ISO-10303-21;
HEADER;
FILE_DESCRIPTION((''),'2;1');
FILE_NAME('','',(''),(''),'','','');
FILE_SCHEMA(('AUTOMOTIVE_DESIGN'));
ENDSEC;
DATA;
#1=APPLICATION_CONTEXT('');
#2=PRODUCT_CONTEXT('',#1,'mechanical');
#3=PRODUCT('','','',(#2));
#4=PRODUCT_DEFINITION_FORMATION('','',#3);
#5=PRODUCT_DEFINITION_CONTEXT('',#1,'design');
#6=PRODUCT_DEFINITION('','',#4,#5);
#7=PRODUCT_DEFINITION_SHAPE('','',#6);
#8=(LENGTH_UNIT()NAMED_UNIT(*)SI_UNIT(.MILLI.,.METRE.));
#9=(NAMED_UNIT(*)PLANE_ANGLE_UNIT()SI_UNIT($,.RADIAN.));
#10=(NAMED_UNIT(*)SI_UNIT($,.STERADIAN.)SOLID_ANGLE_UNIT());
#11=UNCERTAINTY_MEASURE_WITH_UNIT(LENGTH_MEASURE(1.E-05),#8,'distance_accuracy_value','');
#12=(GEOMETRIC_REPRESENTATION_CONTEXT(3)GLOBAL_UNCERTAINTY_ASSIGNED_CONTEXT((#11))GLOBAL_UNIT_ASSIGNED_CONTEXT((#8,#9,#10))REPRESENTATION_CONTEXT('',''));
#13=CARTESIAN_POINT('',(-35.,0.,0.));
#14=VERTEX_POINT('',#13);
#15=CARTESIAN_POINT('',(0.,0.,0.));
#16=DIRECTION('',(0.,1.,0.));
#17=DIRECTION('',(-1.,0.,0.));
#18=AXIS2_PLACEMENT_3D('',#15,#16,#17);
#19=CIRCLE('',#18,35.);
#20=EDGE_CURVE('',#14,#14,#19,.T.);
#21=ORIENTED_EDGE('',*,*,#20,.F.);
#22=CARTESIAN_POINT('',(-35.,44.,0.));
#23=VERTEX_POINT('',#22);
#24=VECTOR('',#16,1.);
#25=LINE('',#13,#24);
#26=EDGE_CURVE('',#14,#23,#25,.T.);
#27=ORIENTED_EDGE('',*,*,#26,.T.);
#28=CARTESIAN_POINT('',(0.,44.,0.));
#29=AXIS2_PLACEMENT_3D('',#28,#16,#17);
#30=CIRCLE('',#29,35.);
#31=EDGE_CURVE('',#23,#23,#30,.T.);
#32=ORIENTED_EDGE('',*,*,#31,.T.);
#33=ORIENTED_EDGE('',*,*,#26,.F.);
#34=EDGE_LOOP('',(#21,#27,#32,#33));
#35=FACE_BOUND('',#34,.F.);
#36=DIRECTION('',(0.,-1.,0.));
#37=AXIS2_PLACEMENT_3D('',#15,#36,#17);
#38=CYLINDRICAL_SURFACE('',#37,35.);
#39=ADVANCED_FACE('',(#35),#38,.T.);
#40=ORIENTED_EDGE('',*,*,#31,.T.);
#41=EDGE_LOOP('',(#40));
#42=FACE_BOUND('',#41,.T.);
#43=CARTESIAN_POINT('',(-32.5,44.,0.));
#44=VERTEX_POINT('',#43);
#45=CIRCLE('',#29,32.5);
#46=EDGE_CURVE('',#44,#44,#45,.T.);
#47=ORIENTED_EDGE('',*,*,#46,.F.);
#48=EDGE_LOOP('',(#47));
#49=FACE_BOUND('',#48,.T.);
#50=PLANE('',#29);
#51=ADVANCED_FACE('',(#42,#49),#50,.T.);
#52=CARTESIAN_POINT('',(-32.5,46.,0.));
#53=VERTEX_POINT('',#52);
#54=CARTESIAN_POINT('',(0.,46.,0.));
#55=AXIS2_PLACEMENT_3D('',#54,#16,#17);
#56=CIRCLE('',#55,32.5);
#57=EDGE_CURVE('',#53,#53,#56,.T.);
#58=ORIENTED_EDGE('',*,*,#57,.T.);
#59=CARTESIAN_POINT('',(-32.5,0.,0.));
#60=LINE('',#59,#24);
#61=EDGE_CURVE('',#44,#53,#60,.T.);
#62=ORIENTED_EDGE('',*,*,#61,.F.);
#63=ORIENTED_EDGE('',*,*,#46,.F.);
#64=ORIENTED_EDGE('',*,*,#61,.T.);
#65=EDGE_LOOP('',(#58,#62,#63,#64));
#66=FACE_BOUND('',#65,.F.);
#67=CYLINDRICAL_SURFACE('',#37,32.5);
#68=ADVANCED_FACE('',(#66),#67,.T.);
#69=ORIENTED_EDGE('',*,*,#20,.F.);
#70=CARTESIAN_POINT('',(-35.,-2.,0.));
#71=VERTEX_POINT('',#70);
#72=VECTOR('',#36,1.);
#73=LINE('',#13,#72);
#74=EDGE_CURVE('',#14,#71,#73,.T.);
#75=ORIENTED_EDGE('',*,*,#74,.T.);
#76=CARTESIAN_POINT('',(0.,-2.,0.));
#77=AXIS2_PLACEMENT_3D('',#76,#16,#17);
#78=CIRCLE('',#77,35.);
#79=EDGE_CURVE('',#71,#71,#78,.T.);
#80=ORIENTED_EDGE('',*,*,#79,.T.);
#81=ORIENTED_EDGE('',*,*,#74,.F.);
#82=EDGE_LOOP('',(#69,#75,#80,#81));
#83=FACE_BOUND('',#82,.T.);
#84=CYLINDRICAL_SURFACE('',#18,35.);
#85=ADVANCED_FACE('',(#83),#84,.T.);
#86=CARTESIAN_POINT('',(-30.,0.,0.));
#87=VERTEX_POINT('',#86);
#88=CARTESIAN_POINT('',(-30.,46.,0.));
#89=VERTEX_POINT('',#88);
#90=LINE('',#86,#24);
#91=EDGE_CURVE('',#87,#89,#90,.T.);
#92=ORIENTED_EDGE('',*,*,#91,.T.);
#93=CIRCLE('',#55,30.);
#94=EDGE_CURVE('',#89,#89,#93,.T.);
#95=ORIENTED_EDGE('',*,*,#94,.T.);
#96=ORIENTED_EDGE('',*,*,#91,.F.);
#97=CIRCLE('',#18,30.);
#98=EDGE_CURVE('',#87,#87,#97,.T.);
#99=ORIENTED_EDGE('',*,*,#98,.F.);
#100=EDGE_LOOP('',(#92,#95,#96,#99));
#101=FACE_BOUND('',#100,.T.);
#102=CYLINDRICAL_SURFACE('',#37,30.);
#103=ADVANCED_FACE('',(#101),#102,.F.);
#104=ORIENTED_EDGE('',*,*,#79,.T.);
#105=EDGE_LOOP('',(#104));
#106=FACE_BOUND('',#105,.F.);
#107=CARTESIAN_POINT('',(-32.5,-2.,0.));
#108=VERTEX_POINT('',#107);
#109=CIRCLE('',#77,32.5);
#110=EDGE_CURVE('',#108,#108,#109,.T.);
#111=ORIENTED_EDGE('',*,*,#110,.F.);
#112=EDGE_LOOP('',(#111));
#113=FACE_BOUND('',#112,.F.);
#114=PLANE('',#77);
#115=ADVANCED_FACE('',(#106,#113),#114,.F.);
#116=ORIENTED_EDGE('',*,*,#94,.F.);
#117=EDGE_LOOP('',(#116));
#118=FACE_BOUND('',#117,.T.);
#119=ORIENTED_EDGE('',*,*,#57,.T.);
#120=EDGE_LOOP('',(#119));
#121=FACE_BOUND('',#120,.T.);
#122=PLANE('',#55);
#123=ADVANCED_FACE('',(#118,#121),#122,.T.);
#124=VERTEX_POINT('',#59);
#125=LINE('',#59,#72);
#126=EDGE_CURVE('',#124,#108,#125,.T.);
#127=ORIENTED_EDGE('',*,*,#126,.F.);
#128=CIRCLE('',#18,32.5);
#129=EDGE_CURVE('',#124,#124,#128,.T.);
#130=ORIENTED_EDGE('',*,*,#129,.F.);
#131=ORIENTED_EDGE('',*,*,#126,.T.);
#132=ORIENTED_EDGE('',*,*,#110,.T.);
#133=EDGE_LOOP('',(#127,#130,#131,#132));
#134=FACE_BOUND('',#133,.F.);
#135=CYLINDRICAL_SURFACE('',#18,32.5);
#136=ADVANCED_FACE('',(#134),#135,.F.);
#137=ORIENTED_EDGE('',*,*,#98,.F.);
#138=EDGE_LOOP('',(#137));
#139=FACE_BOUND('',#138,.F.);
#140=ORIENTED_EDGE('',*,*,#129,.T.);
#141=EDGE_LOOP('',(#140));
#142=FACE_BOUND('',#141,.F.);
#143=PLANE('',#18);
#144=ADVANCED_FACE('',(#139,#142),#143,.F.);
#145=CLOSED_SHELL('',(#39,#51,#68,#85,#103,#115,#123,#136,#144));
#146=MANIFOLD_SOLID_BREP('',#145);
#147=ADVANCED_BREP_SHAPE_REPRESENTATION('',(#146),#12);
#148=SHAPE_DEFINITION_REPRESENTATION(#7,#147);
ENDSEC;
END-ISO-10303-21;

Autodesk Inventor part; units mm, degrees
ref_plane "YZ Plane" through (0, 0, 0) normal (1, 0, 0) x (0, 1, 0)
ref_plane "XZ Plane" through (0, 0, 0) normal (0, 1, 0) x (-1, 0, 0)
ref_plane "XY Plane" through (0, 0, 0) normal (0, 0, 1) x (1, 0, 0)
sketch "Sketch1" plane through (0, 0, 0) normal (0, 1, 0) x (-1, 0, 0)
  circle A0 centre (0, 0) radius 30
  circle A1 centre (0, 0) radius 32.5
  circle A2 centre (0, 0) radius 35
  dimension "d0" = 60
  dimension "d1" = 65
  dimension "d2" = 70
extrude "Extrusion1" add sketch "Sketch1" along normal blind 46 contours A1
extrude "Extrusion2" add sketch "Sketch1" along normal blind 44 and the other way blind 2 contours A2
properties part number "electronicschamber" material "ABS Plastic"
